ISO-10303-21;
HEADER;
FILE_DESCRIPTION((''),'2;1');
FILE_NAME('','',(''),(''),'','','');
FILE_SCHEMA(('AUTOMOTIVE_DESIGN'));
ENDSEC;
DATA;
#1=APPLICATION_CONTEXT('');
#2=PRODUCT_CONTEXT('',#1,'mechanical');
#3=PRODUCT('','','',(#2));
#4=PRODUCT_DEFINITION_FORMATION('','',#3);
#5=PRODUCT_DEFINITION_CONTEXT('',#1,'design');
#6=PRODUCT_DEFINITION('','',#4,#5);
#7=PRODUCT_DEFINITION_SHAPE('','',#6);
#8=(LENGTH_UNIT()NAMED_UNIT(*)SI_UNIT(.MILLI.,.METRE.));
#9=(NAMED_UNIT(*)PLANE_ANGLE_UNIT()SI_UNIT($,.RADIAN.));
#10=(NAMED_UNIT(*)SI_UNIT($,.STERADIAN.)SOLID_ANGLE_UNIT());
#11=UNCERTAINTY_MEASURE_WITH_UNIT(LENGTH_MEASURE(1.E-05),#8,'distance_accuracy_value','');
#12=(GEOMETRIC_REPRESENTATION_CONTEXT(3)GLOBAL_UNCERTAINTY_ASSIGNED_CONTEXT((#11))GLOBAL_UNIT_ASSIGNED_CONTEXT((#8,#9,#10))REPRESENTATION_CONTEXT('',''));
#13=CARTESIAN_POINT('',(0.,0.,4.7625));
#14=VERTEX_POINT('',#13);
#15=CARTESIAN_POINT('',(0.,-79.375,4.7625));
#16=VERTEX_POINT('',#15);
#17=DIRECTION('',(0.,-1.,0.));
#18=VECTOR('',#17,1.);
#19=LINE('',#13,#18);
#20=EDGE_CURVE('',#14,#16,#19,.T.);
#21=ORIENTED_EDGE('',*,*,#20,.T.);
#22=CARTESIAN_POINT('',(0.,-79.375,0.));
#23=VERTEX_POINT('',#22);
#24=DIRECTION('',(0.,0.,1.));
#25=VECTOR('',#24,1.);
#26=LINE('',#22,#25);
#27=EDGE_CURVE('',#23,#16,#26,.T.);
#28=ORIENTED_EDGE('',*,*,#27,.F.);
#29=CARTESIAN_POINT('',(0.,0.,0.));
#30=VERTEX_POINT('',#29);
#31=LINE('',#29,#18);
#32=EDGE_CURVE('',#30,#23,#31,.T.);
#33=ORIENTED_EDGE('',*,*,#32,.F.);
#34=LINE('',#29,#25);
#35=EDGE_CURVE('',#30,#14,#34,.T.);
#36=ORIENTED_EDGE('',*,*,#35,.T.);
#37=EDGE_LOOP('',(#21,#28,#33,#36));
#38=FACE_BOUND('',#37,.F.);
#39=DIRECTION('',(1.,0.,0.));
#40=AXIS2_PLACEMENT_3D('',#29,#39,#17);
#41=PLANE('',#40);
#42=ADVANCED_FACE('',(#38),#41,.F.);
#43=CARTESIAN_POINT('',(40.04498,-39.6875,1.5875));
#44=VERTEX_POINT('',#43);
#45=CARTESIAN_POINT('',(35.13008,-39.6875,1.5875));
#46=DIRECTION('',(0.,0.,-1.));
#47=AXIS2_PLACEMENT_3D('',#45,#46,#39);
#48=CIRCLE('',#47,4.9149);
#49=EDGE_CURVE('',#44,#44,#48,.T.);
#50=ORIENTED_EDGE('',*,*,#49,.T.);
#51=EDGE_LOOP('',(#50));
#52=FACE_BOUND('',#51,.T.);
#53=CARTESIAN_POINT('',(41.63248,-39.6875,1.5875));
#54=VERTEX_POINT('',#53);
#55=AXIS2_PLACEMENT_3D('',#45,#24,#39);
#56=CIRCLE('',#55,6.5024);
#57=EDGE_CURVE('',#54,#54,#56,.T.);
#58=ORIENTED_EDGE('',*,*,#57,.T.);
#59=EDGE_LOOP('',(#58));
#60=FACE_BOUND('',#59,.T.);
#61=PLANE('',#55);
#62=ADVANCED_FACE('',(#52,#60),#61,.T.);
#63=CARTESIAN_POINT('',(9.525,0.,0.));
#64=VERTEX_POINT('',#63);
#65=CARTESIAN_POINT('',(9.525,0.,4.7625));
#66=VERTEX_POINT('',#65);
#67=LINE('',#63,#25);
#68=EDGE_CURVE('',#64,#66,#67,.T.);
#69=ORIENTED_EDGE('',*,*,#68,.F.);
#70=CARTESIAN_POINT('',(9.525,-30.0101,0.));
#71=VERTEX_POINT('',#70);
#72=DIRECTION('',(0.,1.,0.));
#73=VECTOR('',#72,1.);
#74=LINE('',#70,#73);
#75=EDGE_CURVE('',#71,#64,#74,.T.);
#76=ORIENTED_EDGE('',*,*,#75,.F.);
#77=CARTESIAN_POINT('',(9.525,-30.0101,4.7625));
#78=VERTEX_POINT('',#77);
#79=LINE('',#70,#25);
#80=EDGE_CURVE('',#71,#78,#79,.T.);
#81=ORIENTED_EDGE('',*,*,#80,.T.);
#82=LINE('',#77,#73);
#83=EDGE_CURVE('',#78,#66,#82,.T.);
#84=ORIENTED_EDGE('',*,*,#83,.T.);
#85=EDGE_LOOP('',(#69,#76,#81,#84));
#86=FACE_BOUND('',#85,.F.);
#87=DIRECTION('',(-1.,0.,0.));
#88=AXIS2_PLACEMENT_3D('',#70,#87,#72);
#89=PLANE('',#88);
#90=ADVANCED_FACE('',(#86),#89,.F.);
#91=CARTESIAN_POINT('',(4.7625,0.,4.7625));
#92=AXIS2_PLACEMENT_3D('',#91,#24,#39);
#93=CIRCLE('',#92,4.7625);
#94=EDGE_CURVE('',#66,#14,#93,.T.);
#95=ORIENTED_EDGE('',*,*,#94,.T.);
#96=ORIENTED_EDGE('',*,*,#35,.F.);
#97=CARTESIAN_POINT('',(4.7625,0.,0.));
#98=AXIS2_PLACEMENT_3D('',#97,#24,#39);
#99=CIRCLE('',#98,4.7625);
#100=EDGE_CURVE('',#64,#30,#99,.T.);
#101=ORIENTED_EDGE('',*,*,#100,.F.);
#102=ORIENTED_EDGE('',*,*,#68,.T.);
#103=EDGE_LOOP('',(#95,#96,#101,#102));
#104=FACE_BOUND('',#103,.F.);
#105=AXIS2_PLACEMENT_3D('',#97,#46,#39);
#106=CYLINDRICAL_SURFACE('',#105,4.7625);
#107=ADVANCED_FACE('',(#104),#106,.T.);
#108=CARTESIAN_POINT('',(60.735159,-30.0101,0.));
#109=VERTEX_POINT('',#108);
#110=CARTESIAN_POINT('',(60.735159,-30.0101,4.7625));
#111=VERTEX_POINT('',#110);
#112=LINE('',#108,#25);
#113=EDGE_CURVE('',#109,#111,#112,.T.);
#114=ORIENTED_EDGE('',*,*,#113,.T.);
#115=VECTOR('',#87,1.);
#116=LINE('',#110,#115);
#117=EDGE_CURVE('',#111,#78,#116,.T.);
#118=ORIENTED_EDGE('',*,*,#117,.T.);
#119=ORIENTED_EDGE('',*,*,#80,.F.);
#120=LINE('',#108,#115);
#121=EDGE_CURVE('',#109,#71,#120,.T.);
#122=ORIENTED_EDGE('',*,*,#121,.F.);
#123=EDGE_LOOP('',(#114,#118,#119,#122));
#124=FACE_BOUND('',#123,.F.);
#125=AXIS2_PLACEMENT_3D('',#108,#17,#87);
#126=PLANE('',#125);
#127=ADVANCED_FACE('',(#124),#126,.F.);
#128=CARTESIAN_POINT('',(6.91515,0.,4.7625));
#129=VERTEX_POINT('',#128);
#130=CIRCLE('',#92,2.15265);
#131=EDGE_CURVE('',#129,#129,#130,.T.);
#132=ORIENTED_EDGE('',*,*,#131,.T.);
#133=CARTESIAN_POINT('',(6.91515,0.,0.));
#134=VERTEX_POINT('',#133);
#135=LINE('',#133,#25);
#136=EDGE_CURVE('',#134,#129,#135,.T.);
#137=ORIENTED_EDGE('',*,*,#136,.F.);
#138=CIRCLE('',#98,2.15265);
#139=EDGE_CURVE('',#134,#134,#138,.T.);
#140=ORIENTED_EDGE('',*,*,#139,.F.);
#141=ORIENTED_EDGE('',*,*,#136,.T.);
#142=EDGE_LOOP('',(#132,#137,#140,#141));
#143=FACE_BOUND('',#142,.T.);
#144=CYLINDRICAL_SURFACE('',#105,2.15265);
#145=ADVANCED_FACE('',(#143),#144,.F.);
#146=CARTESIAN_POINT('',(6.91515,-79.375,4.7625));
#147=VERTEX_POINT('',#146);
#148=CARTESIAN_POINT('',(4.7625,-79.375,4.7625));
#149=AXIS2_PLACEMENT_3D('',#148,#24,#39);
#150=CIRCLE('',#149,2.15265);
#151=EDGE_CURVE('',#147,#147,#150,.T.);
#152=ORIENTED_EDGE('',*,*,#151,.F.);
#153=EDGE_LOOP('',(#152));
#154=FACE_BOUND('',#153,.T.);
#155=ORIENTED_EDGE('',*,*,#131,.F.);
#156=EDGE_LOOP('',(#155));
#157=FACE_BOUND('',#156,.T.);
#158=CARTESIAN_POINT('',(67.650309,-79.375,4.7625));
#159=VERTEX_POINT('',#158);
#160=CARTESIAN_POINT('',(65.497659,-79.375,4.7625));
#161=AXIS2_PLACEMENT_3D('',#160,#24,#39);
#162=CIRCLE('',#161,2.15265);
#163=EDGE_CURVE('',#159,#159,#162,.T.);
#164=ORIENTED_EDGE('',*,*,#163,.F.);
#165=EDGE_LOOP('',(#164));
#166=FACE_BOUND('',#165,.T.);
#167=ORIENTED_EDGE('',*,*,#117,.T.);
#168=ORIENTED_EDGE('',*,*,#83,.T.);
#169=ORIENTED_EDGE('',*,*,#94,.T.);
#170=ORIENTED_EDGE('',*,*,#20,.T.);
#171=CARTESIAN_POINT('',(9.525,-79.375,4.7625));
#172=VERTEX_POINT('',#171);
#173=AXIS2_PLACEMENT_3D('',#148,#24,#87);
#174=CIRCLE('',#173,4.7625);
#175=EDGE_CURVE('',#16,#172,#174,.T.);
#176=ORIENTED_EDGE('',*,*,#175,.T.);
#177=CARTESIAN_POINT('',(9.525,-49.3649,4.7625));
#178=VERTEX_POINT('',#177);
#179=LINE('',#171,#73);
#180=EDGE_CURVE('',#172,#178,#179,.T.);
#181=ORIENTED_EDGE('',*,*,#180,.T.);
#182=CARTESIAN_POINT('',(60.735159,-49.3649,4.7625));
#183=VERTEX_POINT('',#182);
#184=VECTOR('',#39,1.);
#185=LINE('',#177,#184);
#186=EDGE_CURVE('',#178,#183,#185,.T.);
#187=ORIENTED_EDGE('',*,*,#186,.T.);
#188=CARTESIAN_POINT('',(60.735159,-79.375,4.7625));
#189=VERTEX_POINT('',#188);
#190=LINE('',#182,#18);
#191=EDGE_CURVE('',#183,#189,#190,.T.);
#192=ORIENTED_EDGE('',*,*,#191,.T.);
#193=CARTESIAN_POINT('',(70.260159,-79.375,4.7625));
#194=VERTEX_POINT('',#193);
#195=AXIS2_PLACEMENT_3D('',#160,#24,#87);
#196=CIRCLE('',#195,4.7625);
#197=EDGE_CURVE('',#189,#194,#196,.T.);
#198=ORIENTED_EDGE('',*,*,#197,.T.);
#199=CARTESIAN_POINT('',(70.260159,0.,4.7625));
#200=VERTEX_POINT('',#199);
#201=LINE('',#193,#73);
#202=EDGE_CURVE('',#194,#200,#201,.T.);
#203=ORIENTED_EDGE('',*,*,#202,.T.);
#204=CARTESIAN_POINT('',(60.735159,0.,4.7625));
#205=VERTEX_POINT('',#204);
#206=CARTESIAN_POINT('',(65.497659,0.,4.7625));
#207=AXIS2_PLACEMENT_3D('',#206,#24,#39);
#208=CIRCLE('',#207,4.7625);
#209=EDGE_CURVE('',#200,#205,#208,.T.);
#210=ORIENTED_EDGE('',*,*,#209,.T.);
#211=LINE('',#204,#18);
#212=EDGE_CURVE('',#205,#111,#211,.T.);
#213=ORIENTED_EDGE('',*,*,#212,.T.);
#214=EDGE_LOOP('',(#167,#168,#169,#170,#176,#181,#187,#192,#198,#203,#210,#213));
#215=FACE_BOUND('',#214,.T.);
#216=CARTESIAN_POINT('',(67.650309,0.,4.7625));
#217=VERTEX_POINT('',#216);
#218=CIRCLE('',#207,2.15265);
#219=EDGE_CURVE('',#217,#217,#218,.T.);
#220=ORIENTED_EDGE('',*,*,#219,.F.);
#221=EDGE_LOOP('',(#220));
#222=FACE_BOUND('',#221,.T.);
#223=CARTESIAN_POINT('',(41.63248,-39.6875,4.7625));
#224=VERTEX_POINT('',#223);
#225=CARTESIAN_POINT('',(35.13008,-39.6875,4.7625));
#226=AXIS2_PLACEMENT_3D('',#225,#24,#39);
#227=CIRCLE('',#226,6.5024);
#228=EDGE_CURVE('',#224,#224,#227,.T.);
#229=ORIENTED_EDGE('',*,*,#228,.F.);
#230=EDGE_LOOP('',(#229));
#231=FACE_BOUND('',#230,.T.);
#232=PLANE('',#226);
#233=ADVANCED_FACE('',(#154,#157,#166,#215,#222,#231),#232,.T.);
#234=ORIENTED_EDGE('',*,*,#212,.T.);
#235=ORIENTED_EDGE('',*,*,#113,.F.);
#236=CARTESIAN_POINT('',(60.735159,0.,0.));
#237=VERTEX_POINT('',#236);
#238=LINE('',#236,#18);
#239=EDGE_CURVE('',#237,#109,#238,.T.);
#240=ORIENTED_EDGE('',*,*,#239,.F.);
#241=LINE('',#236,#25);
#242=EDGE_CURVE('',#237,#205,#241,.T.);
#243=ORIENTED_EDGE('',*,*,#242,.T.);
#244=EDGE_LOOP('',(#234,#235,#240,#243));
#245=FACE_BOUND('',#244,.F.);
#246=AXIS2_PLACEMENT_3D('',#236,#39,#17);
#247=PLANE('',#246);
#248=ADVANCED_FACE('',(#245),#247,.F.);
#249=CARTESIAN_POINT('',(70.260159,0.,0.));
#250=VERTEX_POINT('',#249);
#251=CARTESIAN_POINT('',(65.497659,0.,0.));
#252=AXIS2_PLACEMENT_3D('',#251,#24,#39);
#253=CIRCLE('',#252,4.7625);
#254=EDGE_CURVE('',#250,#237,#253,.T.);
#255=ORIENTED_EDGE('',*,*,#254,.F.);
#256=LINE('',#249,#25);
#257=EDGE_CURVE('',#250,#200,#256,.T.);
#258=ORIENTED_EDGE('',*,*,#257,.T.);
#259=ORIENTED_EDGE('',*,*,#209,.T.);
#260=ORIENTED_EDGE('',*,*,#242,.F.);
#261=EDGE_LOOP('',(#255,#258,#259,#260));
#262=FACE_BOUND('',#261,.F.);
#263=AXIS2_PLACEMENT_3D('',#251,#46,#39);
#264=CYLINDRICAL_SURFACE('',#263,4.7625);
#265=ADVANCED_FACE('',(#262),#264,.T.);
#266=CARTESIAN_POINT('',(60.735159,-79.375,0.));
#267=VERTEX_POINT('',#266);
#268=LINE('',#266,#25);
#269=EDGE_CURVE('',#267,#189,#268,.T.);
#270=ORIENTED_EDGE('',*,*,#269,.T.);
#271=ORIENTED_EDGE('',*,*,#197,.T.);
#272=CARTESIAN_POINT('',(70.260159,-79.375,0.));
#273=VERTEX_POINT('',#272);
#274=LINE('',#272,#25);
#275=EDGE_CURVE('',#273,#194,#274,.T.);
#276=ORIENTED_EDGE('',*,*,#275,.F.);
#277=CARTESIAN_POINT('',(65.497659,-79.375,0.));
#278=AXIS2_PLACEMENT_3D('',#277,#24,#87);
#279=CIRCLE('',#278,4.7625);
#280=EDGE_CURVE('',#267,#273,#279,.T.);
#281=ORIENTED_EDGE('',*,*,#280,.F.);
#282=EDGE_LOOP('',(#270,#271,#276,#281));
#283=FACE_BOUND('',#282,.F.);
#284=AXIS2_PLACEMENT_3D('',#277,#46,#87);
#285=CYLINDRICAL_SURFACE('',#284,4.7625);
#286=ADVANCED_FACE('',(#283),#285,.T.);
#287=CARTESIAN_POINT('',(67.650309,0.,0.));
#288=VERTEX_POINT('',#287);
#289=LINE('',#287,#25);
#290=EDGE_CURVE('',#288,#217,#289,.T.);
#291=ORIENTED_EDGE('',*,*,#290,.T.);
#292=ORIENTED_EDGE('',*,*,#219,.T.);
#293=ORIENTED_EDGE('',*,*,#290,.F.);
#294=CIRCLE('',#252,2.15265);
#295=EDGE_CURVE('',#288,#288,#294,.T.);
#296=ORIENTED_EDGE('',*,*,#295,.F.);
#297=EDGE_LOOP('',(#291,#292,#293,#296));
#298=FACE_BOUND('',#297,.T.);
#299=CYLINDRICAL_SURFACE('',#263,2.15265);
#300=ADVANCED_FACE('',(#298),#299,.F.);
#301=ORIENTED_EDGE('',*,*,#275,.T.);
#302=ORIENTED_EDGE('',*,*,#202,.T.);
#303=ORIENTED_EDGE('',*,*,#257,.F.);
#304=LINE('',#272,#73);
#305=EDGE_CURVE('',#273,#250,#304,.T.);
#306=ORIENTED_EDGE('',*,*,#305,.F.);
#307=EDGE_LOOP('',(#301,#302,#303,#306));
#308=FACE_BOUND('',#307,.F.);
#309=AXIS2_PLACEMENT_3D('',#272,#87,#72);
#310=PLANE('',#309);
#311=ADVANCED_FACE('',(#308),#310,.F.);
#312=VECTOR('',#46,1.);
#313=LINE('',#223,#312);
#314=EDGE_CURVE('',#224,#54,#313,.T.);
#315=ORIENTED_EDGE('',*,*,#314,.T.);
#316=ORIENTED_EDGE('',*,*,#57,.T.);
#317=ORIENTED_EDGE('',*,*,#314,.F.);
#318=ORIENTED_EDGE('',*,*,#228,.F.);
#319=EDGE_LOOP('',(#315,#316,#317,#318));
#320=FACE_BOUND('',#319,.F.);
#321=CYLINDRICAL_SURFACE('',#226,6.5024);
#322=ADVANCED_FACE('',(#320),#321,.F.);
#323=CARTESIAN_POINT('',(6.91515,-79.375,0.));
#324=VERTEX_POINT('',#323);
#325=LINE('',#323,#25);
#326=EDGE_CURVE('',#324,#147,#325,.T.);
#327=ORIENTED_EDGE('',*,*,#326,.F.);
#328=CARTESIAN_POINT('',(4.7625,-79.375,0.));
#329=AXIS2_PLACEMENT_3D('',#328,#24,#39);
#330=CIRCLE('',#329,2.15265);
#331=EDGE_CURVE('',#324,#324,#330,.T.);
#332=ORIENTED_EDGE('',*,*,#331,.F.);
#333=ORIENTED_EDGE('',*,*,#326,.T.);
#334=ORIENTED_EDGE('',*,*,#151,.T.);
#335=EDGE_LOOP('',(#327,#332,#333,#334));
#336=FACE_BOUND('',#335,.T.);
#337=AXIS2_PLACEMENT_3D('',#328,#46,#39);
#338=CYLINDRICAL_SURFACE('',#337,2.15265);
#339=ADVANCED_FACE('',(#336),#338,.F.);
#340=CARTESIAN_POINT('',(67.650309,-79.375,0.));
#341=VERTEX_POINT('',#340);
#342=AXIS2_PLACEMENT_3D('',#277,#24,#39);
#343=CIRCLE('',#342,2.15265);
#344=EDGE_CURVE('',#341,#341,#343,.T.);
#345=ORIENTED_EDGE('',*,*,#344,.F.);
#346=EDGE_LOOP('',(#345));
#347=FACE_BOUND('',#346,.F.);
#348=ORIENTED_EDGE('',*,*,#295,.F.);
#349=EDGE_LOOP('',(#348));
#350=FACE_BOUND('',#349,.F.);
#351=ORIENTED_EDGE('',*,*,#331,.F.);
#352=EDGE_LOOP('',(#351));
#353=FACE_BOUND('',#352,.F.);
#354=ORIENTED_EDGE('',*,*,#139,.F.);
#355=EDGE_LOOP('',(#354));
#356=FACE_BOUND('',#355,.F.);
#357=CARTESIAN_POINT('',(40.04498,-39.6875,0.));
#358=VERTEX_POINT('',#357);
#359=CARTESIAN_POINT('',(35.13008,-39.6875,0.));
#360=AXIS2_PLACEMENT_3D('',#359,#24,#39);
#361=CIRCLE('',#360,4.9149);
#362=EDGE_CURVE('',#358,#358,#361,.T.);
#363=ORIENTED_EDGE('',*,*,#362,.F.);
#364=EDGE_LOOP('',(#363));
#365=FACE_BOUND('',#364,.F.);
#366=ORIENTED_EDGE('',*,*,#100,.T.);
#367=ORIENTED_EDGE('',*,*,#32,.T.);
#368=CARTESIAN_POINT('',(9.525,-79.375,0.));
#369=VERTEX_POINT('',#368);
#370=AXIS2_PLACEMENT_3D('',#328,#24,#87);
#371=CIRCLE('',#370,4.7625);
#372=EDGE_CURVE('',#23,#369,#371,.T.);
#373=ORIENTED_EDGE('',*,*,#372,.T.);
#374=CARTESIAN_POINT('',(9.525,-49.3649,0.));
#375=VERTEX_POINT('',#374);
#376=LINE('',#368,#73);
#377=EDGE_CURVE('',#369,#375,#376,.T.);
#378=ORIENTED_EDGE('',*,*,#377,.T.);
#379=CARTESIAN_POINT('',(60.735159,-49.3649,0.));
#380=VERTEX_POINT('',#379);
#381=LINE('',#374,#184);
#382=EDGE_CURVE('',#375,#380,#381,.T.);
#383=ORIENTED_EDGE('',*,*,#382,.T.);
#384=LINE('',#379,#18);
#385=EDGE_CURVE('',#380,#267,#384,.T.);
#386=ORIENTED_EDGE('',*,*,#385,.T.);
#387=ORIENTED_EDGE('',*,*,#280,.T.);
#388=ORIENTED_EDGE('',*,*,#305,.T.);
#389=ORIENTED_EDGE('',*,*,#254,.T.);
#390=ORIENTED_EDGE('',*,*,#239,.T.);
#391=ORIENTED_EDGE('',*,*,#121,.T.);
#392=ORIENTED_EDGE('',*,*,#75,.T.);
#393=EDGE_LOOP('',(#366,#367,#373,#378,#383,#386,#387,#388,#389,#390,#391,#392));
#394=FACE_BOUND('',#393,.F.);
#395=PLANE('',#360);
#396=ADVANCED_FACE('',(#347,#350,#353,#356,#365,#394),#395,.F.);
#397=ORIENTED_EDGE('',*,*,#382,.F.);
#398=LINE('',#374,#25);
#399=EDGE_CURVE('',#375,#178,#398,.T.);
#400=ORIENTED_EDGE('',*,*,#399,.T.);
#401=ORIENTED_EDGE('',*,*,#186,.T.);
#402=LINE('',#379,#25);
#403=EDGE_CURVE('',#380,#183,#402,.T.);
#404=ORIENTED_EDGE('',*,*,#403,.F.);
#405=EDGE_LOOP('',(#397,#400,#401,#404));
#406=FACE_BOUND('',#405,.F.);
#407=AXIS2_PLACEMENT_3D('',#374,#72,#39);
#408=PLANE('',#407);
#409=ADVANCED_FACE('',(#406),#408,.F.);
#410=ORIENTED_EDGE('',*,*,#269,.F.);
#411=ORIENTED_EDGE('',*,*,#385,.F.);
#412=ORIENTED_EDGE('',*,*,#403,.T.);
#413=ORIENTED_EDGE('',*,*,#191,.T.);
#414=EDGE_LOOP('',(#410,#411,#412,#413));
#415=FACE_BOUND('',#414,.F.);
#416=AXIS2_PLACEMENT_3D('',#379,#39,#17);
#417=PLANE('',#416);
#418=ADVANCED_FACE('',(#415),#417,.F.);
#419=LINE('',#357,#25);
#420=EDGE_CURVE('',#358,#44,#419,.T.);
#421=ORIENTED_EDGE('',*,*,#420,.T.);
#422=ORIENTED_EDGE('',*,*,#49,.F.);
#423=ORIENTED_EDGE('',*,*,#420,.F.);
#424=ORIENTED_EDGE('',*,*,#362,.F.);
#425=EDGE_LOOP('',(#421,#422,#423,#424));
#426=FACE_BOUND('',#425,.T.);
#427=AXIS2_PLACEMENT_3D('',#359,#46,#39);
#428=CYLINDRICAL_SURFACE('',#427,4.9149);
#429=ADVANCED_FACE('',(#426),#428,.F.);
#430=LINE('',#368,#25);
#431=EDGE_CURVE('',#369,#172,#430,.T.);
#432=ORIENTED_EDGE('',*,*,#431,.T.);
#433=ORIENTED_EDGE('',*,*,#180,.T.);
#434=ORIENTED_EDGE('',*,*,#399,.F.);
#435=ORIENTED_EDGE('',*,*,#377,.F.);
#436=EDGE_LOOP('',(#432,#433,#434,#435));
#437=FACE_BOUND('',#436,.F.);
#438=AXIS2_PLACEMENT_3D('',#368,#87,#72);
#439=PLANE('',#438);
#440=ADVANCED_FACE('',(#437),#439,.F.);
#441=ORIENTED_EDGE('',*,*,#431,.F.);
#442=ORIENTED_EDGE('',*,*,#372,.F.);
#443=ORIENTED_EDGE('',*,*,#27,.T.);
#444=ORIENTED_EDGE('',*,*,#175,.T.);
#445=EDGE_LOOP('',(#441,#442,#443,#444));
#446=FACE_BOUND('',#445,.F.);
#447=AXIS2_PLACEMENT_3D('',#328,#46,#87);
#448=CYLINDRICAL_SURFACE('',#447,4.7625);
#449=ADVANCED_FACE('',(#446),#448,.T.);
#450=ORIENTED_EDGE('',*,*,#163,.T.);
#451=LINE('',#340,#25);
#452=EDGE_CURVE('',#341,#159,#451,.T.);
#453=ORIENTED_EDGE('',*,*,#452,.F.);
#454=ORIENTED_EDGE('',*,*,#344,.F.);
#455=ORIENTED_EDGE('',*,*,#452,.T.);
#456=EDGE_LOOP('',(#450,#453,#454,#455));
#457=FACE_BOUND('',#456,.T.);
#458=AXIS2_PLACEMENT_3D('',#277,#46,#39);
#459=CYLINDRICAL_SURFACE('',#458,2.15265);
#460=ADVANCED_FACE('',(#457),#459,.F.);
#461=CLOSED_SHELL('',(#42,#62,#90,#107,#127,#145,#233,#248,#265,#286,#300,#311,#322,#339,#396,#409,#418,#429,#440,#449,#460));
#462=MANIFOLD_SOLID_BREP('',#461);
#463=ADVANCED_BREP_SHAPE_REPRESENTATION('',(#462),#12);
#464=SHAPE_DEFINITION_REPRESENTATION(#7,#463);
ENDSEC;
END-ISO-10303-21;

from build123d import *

# Parameters (mm, degrees)
F0_R     = 2.15265
F0_R_2   = 4.9149
F1_DEPTH = 4.7625
F2_R     = 6.5024
F3_DEPTH = 3.175


with BuildPart() as f1:
    # F0 (on Top) → F1 (new body)
    with BuildSketch(Plane.XY):
        with BuildLine():
            ThreePointArc((9.525, 0), (4.7625, 4.7625), (0, 0))
            Line((0, 0), (0, -79.375))
            ThreePointArc((0, -79.375), (4.7625, -84.1375), (9.525, -79.375))
            Line((9.525, -79.375), (9.525, -49.3649))
            Line((9.525, -49.3649), (60.735159, -49.3649))
            Line((60.735159, -49.3649), (60.735159, -79.375))
            ThreePointArc((60.735159, -79.375), (65.497659, -84.1375), (70.260159, -79.375))
            Line((70.260159, -79.375), (70.260159, 0))
            ThreePointArc((70.260159, 0), (65.497659, 4.7625), (60.735159, 0))
            Line((60.735159, 0), (60.735159, -30.0101))
            Line((60.735159, -30.0101), (9.525, -30.0101))
            Line((9.525, -30.0101), (9.525, 0))
        make_face()
        with Locations((4.7625, -79.375)):
            Circle(F0_R, mode=Mode.SUBTRACT)
        with Locations((65.497659, -79.375)):
            Circle(F0_R, mode=Mode.SUBTRACT)
        with Locations((4.7625, 0)):
            Circle(F0_R, mode=Mode.SUBTRACT)
        with Locations((35.13008, -39.6875)):
            Circle(F0_R_2, mode=Mode.SUBTRACT)
        with Locations((65.497659, 0)):
            Circle(F0_R, mode=Mode.SUBTRACT)
    extrude(amount=F1_DEPTH)

    # F2 (on face) → F3 (cut)
    with BuildSketch(Plane.XY.offset(4.7625)):
        with Locations((35.13008, -39.6875)):
            Circle(F2_R)
    extrude(amount=-F3_DEPTH, mode=Mode.SUBTRACT)


solid = f1.part
